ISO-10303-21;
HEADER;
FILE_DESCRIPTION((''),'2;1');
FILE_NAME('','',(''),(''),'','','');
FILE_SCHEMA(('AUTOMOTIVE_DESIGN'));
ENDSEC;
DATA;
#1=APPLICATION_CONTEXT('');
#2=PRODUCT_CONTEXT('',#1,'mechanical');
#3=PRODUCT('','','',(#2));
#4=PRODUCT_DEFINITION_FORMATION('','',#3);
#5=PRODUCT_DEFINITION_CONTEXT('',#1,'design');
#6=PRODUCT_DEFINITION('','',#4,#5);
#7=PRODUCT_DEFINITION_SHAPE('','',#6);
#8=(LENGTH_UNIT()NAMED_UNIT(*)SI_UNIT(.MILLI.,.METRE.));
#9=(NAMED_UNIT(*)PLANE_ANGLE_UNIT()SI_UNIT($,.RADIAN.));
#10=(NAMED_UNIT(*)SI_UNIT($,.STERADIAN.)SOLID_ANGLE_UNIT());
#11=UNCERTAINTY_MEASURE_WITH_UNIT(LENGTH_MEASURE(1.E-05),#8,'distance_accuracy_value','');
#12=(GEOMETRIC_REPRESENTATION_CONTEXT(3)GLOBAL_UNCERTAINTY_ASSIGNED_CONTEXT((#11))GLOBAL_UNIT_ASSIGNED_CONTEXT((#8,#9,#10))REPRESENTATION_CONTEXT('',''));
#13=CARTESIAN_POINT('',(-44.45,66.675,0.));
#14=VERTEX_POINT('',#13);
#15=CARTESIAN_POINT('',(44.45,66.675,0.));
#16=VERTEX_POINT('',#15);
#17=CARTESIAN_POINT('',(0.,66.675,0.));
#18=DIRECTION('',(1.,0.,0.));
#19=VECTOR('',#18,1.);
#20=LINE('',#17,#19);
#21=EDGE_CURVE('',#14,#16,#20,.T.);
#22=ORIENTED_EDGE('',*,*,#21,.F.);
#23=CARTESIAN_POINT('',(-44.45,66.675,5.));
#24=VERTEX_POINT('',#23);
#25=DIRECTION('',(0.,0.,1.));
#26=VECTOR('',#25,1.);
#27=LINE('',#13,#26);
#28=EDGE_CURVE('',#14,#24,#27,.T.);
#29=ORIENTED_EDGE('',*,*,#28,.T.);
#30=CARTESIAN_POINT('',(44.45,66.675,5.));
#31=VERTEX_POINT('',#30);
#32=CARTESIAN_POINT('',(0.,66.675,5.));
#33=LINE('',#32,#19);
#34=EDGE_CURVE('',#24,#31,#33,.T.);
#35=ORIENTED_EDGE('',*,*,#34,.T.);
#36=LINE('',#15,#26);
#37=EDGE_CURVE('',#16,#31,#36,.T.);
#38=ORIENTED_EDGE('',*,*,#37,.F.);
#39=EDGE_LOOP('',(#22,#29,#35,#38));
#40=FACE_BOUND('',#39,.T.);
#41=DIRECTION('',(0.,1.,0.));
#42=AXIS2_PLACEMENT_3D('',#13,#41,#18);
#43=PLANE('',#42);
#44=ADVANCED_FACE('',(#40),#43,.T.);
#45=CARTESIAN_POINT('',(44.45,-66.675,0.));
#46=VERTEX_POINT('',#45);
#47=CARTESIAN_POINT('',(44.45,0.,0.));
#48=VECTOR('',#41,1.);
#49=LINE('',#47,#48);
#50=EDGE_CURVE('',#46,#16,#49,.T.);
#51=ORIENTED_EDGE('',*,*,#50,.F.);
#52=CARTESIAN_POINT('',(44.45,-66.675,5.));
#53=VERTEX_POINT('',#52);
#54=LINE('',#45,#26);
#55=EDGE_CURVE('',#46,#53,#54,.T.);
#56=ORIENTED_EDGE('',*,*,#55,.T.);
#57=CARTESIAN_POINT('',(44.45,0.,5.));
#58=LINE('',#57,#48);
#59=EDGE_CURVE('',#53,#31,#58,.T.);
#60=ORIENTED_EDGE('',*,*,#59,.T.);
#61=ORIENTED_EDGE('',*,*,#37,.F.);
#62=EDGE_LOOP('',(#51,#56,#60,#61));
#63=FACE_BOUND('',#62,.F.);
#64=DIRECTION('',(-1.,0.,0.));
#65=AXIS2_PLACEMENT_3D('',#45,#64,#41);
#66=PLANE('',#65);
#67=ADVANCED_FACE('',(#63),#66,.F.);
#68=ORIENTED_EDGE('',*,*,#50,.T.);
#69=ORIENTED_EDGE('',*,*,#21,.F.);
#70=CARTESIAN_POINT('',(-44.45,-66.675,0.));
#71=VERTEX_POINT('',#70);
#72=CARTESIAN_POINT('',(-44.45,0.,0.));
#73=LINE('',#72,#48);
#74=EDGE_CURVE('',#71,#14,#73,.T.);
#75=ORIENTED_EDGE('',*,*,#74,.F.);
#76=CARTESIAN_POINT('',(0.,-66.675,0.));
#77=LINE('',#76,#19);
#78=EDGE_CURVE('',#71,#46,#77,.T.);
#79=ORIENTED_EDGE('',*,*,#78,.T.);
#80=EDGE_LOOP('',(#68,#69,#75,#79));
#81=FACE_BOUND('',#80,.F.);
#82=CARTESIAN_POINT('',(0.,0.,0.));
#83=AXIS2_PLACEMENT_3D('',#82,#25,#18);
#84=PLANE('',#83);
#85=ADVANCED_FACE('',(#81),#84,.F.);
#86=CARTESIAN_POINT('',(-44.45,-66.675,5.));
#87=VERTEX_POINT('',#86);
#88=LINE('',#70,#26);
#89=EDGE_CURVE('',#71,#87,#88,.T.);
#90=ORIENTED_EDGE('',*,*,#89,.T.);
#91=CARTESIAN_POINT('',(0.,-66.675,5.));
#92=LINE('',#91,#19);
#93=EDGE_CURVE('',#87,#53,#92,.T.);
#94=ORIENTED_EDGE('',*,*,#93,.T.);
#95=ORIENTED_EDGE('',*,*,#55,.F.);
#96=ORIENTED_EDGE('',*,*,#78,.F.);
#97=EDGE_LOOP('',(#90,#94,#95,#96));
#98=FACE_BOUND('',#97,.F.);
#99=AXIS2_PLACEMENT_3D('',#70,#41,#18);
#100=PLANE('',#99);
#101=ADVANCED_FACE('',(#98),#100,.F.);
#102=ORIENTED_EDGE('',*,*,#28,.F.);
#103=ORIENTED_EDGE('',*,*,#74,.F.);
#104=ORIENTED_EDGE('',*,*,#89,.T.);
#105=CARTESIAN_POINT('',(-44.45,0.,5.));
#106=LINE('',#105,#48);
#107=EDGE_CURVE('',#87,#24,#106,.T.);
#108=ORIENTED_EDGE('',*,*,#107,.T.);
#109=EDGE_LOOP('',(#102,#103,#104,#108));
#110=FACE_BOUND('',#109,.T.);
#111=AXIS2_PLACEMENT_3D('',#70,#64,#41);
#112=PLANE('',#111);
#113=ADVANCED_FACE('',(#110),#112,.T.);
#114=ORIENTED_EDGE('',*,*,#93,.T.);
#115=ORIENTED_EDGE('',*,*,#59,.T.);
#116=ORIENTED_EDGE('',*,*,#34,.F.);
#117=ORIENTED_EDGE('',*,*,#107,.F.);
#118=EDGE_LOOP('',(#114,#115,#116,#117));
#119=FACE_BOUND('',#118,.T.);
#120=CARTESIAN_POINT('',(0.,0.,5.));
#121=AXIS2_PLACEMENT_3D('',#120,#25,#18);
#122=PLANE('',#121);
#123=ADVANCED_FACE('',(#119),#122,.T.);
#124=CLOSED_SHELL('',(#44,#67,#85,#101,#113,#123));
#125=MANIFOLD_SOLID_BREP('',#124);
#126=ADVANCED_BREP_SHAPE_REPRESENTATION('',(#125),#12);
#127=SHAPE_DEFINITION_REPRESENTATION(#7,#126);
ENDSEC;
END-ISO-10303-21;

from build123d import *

# Parameters (mm, degrees)
SKETCH_W  = 88.9
SKETCH_H  = 133.35
PAD_DEPTH = 5


with BuildPart() as part:
    # Sketch → Pad (new body)
    with BuildSketch(Plane.XY):
        Rectangle(SKETCH_W, SKETCH_H)
    extrude(amount=PAD_DEPTH)


solid = part.part
